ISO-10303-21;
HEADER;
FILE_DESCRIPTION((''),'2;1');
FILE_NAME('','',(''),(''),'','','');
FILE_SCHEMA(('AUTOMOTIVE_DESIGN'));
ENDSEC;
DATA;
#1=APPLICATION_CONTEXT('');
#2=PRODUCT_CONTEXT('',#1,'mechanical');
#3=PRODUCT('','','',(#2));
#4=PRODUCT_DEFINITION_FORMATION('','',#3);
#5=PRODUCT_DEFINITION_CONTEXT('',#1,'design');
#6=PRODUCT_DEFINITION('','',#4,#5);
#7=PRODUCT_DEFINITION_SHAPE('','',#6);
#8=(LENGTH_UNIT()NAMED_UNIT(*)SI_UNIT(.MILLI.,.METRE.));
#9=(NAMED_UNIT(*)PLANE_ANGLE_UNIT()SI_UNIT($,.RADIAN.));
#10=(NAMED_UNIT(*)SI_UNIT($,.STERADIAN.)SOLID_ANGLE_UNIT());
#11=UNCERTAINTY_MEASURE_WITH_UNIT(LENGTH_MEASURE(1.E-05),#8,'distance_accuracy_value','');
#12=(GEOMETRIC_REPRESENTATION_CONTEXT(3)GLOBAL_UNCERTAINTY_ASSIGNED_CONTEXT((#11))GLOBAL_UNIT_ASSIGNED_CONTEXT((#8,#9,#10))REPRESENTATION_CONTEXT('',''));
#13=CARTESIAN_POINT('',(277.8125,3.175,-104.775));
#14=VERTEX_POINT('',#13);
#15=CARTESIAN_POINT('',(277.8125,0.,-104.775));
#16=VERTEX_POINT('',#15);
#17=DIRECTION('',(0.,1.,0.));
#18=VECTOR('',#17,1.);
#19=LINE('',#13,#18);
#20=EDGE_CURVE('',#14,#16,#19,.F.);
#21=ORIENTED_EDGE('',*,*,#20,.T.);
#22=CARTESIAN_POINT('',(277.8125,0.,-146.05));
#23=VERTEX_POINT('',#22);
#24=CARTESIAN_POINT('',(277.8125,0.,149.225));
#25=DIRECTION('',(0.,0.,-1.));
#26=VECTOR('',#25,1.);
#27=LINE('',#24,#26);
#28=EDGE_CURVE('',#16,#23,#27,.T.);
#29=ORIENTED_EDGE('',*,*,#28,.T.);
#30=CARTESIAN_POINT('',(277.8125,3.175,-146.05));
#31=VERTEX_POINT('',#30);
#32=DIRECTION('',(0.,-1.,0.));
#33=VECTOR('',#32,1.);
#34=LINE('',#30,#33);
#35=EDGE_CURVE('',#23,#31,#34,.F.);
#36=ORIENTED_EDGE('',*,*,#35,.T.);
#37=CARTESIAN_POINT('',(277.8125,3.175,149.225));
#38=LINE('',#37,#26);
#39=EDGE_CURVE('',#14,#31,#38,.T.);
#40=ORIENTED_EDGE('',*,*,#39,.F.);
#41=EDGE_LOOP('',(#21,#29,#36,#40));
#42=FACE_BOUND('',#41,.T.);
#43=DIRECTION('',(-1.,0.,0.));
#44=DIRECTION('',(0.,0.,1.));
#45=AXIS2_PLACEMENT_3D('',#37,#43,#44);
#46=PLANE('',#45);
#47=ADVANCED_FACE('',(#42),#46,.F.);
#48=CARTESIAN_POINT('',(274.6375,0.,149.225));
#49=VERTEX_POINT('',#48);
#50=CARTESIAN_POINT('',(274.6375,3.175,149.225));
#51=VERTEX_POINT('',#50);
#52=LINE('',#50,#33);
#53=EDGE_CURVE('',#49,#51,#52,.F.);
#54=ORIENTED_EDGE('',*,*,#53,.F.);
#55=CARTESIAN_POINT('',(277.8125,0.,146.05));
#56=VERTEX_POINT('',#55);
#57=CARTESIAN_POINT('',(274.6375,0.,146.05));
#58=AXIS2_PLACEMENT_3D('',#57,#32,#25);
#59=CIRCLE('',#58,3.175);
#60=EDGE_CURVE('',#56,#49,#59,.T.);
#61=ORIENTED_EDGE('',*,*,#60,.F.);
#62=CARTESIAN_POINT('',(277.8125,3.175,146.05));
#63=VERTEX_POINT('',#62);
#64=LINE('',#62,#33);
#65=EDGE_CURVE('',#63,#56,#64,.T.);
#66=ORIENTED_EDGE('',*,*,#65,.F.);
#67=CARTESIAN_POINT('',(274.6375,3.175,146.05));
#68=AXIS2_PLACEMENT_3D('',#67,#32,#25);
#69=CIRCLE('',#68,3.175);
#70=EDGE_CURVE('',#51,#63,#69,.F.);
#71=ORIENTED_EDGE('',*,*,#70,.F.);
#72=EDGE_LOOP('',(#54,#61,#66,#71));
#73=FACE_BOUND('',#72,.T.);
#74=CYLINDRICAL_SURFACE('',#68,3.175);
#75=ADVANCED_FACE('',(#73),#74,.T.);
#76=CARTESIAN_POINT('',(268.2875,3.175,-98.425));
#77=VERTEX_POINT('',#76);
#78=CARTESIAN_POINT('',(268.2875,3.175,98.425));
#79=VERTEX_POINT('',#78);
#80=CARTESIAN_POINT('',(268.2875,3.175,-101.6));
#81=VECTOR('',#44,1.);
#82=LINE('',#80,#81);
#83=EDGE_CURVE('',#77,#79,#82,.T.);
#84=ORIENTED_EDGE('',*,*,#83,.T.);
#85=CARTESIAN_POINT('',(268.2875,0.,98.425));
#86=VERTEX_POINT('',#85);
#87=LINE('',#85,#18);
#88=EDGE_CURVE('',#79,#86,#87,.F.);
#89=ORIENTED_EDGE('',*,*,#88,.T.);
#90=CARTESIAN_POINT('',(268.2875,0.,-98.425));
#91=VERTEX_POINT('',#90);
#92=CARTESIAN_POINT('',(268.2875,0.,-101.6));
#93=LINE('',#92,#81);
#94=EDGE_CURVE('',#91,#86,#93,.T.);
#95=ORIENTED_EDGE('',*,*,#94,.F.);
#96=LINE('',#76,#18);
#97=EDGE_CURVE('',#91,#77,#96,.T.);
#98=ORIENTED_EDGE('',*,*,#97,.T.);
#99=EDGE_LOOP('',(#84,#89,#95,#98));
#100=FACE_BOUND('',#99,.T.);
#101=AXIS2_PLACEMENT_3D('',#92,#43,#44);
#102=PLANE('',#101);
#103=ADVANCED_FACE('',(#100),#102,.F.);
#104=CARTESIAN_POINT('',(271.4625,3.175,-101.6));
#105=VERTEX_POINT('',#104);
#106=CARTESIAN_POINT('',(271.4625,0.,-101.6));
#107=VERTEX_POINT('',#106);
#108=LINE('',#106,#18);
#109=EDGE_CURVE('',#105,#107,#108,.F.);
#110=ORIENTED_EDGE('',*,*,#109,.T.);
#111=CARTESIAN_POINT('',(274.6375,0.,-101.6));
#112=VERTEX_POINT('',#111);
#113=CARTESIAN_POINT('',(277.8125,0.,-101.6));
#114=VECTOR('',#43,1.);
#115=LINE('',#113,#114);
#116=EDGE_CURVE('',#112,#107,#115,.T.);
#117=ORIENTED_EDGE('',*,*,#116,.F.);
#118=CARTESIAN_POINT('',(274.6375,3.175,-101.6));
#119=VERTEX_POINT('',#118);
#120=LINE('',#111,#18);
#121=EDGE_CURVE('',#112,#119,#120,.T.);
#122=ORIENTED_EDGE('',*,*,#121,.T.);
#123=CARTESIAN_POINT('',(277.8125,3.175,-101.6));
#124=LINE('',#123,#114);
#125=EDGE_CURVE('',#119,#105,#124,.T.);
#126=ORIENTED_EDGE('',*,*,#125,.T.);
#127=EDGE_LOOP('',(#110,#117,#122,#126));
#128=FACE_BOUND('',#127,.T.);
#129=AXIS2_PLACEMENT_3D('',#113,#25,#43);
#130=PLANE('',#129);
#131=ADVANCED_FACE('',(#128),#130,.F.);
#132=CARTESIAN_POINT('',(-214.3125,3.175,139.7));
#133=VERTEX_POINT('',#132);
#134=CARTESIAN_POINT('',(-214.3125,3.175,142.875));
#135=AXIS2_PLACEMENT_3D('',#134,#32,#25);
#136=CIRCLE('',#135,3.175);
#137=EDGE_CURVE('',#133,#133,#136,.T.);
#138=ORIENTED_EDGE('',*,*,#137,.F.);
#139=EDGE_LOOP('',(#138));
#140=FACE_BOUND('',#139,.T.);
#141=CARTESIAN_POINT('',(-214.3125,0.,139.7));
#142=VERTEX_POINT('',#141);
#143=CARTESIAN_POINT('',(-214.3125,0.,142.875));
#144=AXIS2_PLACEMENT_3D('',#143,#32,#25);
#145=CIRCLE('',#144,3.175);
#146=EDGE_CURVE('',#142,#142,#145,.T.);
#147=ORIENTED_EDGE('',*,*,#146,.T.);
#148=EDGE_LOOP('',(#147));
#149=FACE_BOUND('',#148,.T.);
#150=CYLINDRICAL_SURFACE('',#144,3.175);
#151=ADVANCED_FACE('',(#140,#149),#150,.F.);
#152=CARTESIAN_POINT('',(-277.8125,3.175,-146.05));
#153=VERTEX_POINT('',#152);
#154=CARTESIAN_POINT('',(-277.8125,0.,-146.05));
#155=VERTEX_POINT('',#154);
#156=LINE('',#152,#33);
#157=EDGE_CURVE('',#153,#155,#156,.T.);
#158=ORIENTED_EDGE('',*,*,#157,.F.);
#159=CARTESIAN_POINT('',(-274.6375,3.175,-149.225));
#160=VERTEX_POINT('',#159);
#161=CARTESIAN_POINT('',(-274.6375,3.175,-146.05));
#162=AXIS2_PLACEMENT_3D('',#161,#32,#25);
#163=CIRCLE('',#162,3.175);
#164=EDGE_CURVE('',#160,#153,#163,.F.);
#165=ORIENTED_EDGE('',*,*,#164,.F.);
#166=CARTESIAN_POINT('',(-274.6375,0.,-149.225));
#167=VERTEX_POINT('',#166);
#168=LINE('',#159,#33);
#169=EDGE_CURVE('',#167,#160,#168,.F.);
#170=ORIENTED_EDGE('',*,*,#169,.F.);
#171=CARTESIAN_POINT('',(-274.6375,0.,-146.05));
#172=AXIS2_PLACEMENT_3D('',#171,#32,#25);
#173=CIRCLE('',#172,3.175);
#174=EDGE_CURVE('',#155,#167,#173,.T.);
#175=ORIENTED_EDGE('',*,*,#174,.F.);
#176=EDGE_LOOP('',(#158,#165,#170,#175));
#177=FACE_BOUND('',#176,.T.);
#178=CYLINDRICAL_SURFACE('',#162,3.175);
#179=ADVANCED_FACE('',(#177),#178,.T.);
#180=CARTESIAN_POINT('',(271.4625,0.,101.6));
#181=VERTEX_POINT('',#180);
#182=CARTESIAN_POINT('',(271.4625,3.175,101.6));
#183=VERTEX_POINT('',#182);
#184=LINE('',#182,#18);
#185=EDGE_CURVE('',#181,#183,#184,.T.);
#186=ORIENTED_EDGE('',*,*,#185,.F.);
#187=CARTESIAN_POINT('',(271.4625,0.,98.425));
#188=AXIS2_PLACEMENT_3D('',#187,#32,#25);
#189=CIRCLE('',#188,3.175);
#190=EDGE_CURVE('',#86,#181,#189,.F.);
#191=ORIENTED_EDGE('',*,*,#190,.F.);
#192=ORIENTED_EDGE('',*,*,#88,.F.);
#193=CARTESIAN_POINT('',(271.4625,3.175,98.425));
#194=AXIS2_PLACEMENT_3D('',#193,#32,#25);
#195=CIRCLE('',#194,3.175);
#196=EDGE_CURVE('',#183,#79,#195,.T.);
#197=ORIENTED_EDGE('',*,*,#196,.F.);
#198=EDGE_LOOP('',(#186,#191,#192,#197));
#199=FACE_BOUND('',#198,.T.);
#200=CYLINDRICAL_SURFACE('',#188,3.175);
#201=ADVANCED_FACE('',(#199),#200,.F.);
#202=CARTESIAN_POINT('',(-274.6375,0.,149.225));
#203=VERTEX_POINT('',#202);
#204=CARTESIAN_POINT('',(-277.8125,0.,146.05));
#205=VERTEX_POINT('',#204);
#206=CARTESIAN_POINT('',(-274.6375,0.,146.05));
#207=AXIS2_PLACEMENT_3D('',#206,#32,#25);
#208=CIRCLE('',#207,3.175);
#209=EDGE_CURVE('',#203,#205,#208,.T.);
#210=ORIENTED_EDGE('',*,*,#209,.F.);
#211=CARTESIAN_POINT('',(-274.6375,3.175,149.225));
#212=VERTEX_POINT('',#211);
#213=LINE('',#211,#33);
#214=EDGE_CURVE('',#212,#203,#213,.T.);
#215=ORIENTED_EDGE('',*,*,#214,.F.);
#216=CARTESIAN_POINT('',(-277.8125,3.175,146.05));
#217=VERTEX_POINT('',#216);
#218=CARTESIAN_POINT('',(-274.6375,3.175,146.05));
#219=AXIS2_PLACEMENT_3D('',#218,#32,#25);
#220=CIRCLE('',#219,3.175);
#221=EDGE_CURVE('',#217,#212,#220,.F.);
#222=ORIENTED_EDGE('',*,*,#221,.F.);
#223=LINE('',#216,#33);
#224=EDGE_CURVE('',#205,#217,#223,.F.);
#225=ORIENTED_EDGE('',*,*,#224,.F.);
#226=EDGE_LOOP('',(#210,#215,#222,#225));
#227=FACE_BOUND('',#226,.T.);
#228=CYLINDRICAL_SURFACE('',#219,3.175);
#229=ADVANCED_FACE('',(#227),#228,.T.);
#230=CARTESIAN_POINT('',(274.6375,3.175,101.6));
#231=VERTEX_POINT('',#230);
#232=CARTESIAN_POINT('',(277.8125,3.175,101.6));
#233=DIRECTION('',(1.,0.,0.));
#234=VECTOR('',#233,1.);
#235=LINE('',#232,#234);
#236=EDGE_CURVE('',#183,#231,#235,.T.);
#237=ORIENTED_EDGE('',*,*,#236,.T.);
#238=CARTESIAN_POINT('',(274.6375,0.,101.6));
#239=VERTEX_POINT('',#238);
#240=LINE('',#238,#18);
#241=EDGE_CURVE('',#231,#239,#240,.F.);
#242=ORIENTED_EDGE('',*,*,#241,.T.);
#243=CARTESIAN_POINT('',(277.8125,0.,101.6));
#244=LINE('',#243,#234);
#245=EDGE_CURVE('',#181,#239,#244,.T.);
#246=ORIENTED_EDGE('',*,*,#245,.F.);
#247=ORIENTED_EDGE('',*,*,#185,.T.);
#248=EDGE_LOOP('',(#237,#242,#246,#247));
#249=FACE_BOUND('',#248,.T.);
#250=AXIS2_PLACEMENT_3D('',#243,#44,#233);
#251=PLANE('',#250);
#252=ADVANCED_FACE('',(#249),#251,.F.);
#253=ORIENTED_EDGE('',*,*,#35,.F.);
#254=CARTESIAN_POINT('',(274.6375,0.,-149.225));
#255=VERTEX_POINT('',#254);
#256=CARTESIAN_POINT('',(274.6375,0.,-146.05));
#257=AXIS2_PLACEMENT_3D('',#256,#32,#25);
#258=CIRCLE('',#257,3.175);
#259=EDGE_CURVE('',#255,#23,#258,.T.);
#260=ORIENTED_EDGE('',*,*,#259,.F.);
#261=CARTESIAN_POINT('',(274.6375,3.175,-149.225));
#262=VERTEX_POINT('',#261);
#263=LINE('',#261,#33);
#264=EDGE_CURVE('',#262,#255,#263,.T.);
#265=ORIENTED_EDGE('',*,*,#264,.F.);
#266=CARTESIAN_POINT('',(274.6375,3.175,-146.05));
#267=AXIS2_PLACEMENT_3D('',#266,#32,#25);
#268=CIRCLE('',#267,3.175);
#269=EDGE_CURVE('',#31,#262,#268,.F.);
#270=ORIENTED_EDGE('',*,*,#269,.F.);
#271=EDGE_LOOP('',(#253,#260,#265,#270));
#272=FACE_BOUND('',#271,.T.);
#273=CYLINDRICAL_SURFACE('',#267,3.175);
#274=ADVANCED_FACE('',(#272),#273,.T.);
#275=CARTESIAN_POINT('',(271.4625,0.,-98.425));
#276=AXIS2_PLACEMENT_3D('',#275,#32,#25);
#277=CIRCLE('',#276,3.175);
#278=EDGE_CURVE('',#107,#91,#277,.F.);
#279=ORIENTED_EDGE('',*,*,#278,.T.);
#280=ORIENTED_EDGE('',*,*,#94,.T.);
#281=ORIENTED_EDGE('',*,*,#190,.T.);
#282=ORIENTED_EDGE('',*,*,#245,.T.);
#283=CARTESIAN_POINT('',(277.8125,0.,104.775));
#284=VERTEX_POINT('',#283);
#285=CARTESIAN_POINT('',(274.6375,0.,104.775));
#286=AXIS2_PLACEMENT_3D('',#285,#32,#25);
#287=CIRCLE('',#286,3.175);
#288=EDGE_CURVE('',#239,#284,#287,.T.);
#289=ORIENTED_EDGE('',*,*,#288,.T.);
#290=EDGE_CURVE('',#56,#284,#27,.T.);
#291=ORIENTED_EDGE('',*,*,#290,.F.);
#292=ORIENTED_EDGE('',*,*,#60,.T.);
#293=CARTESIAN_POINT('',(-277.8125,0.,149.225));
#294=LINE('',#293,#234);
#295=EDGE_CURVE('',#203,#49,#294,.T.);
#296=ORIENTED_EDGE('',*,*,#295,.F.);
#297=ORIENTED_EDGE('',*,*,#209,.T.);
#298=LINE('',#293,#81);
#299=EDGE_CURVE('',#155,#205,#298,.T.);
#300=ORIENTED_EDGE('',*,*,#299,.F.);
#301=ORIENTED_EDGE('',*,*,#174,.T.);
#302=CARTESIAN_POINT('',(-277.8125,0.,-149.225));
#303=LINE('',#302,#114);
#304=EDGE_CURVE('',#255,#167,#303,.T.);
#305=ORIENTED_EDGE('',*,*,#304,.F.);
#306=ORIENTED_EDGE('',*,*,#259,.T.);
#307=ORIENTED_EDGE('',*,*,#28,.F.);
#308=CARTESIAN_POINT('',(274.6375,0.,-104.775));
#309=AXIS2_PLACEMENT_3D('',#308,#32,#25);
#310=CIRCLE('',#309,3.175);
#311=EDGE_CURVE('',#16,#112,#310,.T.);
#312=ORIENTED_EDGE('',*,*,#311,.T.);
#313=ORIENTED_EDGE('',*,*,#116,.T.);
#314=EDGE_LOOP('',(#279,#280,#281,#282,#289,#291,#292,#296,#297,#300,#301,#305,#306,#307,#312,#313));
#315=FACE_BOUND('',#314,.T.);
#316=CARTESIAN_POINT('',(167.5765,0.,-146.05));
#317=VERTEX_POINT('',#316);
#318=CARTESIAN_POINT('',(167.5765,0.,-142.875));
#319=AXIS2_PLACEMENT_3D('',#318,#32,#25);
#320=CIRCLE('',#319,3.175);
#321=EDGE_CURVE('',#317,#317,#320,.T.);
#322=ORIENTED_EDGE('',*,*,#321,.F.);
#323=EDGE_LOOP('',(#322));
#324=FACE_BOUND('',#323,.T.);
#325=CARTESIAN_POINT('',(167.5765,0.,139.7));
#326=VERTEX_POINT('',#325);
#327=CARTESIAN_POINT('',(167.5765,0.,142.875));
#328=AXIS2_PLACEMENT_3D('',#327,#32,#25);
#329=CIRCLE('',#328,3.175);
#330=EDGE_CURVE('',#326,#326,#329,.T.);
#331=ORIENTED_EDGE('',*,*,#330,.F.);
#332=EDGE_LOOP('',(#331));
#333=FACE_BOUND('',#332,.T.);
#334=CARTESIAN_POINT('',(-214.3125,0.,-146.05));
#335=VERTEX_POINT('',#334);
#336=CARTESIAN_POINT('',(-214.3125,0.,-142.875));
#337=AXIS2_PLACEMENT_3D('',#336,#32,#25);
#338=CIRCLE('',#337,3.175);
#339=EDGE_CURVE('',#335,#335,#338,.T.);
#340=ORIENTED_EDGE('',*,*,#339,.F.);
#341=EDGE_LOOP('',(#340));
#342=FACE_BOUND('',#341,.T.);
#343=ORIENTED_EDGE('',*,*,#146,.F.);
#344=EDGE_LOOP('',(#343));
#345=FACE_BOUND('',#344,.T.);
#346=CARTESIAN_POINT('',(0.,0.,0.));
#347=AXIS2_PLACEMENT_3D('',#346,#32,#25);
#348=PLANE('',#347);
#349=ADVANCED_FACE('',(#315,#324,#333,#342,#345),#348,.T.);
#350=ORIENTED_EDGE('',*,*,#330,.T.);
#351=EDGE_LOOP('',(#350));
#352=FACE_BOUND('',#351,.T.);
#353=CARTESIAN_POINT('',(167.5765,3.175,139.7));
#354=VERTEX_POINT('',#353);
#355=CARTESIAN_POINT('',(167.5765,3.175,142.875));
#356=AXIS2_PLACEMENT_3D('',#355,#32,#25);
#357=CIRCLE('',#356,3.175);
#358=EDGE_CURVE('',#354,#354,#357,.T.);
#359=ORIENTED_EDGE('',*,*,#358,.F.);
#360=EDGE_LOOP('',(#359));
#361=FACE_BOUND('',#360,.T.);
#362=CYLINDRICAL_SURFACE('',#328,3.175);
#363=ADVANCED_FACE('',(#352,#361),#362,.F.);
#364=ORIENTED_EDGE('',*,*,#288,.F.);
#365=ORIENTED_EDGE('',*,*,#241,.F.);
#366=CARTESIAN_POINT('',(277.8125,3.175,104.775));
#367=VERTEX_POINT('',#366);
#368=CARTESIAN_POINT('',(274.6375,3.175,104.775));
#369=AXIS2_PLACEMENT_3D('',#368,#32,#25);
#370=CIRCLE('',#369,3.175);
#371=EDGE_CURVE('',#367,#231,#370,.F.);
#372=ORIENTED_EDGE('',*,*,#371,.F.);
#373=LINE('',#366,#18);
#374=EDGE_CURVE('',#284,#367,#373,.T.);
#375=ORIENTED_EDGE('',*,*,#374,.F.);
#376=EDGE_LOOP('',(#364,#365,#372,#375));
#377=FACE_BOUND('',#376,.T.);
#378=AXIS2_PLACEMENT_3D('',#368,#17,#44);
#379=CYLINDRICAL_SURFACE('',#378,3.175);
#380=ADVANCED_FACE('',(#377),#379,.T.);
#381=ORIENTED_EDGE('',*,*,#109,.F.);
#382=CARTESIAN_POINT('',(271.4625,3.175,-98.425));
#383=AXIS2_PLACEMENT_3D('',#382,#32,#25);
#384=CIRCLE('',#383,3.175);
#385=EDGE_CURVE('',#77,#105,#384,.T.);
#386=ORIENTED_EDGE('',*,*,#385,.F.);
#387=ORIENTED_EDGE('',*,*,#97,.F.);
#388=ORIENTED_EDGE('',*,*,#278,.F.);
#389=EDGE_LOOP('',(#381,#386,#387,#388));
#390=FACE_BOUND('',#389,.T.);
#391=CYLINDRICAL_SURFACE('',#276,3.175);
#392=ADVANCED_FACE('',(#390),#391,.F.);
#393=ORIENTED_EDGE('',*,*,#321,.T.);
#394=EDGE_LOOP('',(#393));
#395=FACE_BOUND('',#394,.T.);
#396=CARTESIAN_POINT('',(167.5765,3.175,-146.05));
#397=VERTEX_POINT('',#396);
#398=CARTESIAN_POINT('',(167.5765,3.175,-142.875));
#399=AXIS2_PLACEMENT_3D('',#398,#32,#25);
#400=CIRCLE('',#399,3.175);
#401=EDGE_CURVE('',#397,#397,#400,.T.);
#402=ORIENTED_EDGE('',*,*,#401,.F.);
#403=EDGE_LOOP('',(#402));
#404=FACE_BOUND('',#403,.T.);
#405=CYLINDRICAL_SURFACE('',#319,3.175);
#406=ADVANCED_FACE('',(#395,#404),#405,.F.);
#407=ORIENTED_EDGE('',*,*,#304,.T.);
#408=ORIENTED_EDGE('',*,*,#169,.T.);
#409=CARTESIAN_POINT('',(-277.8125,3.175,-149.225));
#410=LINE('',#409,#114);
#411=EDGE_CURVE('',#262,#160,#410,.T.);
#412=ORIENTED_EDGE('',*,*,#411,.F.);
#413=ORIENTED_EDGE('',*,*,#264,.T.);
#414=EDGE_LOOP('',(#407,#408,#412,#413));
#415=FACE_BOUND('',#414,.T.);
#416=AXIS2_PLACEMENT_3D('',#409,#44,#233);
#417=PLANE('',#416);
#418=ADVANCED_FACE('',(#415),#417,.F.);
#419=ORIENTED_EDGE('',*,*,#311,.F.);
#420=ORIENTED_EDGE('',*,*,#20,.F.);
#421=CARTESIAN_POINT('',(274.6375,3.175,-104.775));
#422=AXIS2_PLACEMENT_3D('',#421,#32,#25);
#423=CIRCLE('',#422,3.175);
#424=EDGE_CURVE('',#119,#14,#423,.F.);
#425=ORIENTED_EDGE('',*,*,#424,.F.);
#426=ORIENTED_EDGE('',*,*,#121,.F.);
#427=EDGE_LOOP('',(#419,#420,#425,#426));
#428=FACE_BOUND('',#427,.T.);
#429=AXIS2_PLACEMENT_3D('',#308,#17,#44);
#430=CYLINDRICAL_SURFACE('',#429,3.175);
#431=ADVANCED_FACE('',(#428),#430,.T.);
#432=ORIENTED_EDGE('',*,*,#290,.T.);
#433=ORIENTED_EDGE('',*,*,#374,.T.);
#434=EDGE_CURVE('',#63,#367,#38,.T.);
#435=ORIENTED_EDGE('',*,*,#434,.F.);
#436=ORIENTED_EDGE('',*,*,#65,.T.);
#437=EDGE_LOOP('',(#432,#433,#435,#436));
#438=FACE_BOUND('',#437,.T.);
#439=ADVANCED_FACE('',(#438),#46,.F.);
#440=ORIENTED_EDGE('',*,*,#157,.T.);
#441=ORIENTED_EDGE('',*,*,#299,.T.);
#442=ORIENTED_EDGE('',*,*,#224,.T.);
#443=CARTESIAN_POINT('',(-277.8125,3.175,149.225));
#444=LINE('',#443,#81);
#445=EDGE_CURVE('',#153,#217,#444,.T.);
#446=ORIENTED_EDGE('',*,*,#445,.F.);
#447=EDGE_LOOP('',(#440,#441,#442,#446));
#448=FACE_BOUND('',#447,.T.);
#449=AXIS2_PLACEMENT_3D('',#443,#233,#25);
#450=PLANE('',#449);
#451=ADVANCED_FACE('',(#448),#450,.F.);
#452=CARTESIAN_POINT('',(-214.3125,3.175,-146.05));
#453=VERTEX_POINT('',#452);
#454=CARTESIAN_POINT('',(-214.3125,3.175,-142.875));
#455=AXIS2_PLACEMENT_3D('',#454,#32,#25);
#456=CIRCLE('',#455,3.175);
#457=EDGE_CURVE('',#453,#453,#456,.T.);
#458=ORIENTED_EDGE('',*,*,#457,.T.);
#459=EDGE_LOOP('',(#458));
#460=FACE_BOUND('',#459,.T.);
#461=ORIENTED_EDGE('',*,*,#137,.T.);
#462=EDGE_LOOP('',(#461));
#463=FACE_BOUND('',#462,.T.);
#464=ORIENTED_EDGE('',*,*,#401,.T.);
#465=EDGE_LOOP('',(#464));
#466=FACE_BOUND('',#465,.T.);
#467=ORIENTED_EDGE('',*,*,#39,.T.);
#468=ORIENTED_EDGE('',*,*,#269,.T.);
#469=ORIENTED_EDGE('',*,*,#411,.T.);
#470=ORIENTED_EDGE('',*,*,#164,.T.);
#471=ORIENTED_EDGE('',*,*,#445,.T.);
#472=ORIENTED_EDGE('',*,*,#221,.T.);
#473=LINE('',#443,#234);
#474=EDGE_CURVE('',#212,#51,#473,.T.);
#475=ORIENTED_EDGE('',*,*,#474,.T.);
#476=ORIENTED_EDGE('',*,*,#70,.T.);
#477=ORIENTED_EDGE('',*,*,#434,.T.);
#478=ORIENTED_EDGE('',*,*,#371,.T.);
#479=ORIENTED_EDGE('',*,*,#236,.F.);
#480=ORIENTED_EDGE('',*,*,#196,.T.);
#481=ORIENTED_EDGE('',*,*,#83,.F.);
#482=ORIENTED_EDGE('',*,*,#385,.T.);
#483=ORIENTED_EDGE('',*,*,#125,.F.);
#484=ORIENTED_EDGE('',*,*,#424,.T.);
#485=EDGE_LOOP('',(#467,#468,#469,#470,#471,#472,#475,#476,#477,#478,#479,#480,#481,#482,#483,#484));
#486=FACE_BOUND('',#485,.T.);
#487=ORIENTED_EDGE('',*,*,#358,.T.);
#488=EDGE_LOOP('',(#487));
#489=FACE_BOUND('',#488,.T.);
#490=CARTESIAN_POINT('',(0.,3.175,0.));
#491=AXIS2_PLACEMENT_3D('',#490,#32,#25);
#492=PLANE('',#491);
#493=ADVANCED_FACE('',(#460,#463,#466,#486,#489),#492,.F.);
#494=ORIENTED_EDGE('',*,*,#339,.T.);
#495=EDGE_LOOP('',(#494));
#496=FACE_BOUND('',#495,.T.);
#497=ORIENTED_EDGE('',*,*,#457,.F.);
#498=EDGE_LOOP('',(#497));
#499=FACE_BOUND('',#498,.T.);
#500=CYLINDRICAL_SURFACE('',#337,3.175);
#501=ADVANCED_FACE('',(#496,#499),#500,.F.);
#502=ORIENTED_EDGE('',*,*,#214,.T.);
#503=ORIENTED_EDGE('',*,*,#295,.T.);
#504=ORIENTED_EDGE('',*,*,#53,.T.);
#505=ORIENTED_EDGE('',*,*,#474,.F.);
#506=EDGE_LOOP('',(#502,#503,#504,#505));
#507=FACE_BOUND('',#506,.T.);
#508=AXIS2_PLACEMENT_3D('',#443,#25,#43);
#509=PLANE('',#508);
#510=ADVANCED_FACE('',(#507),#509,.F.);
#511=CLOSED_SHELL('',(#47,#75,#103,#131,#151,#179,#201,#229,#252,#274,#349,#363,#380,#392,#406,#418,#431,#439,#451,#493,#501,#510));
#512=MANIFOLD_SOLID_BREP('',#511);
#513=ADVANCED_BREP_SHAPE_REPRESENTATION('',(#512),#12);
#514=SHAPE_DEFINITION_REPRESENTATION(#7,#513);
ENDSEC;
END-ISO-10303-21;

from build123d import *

# Parameters (mm, degrees)
SKETCH1_W                   = 555.625
SKETCH1_H                   = 298.45
BOSS_EXTRUDE1_DEPTH         = 3.175
SKETCH2_W                   = 9.525
SKETCH2_H                   = 203.2
CUT_EXTRUDE1_DEPTH          = 4.175
FILLET1_R                   = 3.175
F_1_4_0_25_DIAMETER_HOLE1_D = 6.35
FILLET2_R                   = 3.175


with BuildPart() as part:
    # Sketch1 → Boss-Extrude1 (new body)
    with BuildSketch(Plane(origin=(0, 0, 0), x_dir=(1, 0, 0), z_dir=(0, 1, 0))):
        Rectangle(SKETCH1_W, SKETCH1_H)
    extrude(amount=BOSS_EXTRUDE1_DEPTH)

    # Sketch2 → Cut-Extrude1 (cut, through all)
    with BuildSketch(Plane(origin=(0, 3.175, 0), x_dir=(1, 0, 0), z_dir=(0, 1, 0))):
        with Locations((273.05, 0)):
            Rectangle(SKETCH2_W, SKETCH2_H)
    extrude(amount=-CUT_EXTRUDE1_DEPTH, mode=Mode.SUBTRACT)

    # Fillet1
    fillet1_edges = [part.edges().sort_by_distance(p)[0] for p in [
        (268.2875, 1.5875, 101.6),
        (268.2875, 1.5875, -101.6),
    ]]
    fillet(fillet1_edges, radius=FILLET1_R)

    # 1/4 (0.25) Diameter Hole1 (through all)
    with Locations(Plane(origin=(0, 0, 0), x_dir=(-1, 0, 0), z_dir=(0, -1, 0))):
        with Locations((-167.5765, -142.875), (214.3125, -142.875)):
            f_1_4_0_25_diameter_hole1 = Hole(F_1_4_0_25_DIAMETER_HOLE1_D / 2)

    # Mirror1: 1/4 (0.25) Diameter Hole1 across plane
    add(f_1_4_0_25_diameter_hole1.mirror(Plane.XY), mode=Mode.SUBTRACT)

    # Fillet2
    fillet2_edges = [part.edges().sort_by_distance(p)[0] for p in [
        (277.8125, 1.5875, -101.6),
        (277.8125, 1.5875, 101.6),
        (277.8125, 1.5875, 149.225),
        (-277.8125, 1.5875, 149.225),
        (-277.8125, 1.5875, -149.225),
        (277.8125, 1.5875, -149.225),
    ]]
    fillet(fillet2_edges, radius=FILLET2_R)


solid = part.part
